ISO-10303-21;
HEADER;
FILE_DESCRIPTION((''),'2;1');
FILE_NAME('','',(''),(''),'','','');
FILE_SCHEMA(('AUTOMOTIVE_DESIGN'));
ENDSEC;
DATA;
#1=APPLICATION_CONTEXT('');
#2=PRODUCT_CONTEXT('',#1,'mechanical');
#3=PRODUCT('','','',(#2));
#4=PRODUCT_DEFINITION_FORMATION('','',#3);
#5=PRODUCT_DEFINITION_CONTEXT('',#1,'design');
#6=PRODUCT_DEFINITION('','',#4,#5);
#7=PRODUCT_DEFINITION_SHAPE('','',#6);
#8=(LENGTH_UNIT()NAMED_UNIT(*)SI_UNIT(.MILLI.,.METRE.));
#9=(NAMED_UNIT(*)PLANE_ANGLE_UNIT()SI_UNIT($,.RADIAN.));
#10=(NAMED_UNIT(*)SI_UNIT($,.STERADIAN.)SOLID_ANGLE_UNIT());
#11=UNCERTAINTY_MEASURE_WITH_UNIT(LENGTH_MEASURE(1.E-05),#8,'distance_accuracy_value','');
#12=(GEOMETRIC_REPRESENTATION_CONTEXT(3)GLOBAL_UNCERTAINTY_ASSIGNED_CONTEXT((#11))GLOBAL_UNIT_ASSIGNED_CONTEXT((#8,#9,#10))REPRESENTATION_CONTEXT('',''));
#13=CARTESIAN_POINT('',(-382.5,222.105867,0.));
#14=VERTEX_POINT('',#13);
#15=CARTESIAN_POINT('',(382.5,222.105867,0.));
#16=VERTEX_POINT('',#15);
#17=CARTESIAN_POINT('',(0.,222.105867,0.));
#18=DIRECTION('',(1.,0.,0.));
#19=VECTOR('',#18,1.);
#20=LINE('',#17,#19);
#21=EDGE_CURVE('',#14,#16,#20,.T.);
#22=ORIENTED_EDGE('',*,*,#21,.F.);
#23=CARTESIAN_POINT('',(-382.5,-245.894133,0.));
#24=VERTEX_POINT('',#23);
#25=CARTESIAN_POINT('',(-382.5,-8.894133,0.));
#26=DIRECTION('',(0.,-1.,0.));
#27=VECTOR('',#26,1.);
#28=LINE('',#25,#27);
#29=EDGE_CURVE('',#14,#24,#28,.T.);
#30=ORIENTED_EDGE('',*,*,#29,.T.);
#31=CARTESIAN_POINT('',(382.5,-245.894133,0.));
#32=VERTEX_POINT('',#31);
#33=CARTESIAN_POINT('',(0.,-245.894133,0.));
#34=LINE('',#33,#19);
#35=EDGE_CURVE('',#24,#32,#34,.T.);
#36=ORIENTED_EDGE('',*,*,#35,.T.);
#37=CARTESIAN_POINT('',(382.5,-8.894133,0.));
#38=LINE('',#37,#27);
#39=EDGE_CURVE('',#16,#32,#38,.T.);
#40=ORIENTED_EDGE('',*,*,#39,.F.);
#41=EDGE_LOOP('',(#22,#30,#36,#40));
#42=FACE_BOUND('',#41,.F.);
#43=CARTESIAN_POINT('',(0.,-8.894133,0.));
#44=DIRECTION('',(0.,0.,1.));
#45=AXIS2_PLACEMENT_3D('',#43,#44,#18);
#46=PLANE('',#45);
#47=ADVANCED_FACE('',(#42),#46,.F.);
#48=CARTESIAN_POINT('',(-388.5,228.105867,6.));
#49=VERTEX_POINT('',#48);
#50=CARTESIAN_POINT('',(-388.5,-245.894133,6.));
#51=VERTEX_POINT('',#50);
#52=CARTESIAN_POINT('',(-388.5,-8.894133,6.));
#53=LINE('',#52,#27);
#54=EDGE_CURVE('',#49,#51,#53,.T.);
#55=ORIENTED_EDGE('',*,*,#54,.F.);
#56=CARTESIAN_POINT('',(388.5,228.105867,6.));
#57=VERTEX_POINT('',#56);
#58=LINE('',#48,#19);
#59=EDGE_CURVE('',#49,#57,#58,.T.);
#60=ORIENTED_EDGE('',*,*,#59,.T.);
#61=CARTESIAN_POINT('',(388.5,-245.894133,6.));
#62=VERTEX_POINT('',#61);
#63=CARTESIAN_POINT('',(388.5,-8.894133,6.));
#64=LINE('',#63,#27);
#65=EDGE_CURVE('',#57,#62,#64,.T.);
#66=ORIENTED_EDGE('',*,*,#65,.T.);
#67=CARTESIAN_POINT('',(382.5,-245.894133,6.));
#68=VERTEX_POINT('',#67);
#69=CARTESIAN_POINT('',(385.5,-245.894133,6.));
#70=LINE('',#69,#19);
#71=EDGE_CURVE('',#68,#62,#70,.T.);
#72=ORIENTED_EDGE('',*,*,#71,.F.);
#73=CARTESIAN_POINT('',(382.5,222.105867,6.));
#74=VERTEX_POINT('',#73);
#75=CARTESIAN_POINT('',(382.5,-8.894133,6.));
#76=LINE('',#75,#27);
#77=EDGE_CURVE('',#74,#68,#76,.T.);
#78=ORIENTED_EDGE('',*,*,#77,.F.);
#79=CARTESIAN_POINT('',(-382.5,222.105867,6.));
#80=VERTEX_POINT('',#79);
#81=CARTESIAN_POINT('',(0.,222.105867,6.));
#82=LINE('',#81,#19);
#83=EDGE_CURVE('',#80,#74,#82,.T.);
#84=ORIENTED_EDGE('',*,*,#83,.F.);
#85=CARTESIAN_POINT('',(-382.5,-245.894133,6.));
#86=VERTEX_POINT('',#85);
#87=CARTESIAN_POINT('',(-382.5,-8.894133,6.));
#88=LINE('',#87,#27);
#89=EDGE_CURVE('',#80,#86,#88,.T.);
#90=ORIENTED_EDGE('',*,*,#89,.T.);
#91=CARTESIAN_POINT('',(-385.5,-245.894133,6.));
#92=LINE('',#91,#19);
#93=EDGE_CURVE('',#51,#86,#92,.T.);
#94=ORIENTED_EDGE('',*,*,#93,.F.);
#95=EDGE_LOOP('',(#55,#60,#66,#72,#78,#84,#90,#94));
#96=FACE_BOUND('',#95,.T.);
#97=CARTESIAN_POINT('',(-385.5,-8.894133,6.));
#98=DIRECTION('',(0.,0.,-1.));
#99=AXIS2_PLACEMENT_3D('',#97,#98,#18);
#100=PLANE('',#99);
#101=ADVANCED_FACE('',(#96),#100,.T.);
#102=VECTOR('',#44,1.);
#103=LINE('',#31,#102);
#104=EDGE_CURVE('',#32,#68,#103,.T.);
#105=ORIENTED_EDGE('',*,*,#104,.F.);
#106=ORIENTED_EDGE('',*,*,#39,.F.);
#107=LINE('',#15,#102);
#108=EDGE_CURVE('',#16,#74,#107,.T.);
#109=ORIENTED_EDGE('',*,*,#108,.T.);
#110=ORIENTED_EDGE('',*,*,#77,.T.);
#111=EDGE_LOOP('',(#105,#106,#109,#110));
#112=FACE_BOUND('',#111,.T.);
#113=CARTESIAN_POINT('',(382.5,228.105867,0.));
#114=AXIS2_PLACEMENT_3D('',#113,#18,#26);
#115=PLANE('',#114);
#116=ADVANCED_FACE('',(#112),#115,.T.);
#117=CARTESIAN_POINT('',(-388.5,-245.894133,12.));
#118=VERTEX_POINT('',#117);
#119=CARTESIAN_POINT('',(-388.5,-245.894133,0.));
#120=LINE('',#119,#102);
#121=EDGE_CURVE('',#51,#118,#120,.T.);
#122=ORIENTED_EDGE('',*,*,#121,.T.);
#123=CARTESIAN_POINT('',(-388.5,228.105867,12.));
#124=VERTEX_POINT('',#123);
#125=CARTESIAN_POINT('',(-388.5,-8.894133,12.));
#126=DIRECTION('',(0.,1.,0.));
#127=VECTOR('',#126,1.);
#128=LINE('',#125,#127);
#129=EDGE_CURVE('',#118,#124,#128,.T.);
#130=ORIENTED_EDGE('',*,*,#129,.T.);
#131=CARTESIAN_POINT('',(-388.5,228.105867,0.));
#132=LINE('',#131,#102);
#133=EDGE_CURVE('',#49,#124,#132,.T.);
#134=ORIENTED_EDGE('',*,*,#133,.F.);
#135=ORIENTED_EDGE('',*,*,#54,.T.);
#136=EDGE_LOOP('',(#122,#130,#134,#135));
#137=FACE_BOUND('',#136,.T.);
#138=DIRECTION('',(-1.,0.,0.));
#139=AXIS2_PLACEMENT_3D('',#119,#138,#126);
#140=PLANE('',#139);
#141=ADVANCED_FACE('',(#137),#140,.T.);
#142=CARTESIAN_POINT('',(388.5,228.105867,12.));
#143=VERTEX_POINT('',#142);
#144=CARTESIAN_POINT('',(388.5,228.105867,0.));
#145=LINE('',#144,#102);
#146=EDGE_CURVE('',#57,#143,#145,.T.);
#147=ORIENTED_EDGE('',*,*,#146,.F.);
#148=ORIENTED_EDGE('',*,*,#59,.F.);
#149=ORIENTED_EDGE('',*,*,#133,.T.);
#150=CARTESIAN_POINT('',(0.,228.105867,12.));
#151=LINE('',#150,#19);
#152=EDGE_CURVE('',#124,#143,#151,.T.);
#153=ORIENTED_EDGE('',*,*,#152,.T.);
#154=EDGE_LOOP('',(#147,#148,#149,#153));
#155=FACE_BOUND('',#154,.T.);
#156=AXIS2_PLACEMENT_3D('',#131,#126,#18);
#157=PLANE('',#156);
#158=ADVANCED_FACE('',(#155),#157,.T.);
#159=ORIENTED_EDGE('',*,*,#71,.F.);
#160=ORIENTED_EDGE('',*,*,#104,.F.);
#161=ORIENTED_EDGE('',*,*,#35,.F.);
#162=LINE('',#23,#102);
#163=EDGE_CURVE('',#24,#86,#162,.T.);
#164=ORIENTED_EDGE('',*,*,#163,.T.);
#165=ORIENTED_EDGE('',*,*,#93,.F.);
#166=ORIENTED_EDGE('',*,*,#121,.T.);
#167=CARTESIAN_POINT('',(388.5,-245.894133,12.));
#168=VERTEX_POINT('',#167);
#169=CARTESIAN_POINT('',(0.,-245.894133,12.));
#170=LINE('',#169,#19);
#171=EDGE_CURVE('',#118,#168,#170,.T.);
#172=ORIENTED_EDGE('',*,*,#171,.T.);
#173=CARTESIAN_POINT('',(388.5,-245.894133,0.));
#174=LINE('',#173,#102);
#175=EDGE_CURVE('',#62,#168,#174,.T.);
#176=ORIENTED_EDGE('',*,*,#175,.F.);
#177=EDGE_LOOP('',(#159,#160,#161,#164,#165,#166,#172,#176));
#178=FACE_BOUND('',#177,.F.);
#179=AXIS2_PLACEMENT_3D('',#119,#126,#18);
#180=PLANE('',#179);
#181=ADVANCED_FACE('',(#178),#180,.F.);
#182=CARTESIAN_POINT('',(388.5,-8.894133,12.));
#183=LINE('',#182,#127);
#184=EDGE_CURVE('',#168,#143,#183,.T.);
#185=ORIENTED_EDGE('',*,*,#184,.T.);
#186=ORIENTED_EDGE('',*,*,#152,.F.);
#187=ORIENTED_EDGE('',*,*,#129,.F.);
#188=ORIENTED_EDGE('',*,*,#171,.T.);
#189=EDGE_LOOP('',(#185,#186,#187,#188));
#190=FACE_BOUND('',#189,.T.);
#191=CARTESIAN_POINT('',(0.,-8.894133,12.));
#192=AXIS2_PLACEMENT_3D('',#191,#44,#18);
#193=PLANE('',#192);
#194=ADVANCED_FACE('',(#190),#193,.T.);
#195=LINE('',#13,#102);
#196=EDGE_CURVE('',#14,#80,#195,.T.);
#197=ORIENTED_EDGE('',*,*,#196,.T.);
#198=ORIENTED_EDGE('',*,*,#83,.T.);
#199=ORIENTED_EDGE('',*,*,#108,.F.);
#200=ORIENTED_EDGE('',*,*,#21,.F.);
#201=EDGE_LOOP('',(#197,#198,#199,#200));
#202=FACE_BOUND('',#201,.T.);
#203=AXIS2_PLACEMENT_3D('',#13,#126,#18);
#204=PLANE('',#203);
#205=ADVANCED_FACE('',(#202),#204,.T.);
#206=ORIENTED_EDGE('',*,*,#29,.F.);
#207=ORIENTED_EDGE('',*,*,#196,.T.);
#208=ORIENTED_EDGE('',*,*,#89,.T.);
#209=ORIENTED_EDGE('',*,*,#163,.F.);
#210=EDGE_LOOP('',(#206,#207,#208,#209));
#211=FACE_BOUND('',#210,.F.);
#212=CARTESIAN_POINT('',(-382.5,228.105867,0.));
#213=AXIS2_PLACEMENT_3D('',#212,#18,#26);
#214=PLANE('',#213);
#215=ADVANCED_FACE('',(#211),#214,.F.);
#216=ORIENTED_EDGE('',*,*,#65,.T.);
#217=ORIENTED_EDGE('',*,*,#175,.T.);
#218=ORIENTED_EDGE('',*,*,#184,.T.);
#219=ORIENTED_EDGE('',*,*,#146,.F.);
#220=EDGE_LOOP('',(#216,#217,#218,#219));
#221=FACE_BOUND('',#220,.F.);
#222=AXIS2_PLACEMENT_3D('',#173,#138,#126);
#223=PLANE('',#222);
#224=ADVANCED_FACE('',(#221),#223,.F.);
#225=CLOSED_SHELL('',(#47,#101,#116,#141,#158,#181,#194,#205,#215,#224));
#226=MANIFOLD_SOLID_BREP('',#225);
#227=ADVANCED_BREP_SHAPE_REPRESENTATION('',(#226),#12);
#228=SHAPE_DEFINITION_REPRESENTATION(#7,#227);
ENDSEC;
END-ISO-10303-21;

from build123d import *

# Parameters (mm, degrees)
F0_W     = 777
F0_H     = 474
F1_DEPTH = 12
F2_W     = 6
F2_H     = 474
F3_DEPTH = 6
F4_W     = 6
F4_H     = 474
F5_DEPTH = 6
F6_W     = 765
F6_H     = 6
F7_DEPTH = 6


with BuildPart() as f1:
    # F0 (on Top) → F1 (new body)
    with BuildSketch(Plane.XY):
        with Locations((0, -8.894133)):
            Rectangle(F0_W, F0_H)
    extrude(amount=F1_DEPTH)

    # F2 (on face) → F3 (cut)
    with BuildSketch(Plane(origin=(0, 0, 0), x_dir=(1, 0, 0), z_dir=(0, 0, -1))):
        with Locations((-385.5, 8.894133)):
            Rectangle(F2_W, F2_H)
    extrude(amount=-F3_DEPTH, mode=Mode.SUBTRACT)

    # F4 (on face) → F5 (cut)
    with BuildSketch(Plane(origin=(0, 0, 0), x_dir=(1, 0, 0), z_dir=(0, 0, -1))):
        with Locations((385.5, 8.894133)):
            Rectangle(F4_W, F4_H)
    extrude(amount=-F5_DEPTH, mode=Mode.SUBTRACT)

    # F6 (on face) → F7 (cut)
    with BuildSketch(Plane(origin=(0, 0, 0), x_dir=(1, 0, 0), z_dir=(0, 0, -1))):
        with Locations((0, -225.105867)):
            Rectangle(F6_W, F6_H)
    extrude(amount=-F7_DEPTH, mode=Mode.SUBTRACT)


solid = f1.part
